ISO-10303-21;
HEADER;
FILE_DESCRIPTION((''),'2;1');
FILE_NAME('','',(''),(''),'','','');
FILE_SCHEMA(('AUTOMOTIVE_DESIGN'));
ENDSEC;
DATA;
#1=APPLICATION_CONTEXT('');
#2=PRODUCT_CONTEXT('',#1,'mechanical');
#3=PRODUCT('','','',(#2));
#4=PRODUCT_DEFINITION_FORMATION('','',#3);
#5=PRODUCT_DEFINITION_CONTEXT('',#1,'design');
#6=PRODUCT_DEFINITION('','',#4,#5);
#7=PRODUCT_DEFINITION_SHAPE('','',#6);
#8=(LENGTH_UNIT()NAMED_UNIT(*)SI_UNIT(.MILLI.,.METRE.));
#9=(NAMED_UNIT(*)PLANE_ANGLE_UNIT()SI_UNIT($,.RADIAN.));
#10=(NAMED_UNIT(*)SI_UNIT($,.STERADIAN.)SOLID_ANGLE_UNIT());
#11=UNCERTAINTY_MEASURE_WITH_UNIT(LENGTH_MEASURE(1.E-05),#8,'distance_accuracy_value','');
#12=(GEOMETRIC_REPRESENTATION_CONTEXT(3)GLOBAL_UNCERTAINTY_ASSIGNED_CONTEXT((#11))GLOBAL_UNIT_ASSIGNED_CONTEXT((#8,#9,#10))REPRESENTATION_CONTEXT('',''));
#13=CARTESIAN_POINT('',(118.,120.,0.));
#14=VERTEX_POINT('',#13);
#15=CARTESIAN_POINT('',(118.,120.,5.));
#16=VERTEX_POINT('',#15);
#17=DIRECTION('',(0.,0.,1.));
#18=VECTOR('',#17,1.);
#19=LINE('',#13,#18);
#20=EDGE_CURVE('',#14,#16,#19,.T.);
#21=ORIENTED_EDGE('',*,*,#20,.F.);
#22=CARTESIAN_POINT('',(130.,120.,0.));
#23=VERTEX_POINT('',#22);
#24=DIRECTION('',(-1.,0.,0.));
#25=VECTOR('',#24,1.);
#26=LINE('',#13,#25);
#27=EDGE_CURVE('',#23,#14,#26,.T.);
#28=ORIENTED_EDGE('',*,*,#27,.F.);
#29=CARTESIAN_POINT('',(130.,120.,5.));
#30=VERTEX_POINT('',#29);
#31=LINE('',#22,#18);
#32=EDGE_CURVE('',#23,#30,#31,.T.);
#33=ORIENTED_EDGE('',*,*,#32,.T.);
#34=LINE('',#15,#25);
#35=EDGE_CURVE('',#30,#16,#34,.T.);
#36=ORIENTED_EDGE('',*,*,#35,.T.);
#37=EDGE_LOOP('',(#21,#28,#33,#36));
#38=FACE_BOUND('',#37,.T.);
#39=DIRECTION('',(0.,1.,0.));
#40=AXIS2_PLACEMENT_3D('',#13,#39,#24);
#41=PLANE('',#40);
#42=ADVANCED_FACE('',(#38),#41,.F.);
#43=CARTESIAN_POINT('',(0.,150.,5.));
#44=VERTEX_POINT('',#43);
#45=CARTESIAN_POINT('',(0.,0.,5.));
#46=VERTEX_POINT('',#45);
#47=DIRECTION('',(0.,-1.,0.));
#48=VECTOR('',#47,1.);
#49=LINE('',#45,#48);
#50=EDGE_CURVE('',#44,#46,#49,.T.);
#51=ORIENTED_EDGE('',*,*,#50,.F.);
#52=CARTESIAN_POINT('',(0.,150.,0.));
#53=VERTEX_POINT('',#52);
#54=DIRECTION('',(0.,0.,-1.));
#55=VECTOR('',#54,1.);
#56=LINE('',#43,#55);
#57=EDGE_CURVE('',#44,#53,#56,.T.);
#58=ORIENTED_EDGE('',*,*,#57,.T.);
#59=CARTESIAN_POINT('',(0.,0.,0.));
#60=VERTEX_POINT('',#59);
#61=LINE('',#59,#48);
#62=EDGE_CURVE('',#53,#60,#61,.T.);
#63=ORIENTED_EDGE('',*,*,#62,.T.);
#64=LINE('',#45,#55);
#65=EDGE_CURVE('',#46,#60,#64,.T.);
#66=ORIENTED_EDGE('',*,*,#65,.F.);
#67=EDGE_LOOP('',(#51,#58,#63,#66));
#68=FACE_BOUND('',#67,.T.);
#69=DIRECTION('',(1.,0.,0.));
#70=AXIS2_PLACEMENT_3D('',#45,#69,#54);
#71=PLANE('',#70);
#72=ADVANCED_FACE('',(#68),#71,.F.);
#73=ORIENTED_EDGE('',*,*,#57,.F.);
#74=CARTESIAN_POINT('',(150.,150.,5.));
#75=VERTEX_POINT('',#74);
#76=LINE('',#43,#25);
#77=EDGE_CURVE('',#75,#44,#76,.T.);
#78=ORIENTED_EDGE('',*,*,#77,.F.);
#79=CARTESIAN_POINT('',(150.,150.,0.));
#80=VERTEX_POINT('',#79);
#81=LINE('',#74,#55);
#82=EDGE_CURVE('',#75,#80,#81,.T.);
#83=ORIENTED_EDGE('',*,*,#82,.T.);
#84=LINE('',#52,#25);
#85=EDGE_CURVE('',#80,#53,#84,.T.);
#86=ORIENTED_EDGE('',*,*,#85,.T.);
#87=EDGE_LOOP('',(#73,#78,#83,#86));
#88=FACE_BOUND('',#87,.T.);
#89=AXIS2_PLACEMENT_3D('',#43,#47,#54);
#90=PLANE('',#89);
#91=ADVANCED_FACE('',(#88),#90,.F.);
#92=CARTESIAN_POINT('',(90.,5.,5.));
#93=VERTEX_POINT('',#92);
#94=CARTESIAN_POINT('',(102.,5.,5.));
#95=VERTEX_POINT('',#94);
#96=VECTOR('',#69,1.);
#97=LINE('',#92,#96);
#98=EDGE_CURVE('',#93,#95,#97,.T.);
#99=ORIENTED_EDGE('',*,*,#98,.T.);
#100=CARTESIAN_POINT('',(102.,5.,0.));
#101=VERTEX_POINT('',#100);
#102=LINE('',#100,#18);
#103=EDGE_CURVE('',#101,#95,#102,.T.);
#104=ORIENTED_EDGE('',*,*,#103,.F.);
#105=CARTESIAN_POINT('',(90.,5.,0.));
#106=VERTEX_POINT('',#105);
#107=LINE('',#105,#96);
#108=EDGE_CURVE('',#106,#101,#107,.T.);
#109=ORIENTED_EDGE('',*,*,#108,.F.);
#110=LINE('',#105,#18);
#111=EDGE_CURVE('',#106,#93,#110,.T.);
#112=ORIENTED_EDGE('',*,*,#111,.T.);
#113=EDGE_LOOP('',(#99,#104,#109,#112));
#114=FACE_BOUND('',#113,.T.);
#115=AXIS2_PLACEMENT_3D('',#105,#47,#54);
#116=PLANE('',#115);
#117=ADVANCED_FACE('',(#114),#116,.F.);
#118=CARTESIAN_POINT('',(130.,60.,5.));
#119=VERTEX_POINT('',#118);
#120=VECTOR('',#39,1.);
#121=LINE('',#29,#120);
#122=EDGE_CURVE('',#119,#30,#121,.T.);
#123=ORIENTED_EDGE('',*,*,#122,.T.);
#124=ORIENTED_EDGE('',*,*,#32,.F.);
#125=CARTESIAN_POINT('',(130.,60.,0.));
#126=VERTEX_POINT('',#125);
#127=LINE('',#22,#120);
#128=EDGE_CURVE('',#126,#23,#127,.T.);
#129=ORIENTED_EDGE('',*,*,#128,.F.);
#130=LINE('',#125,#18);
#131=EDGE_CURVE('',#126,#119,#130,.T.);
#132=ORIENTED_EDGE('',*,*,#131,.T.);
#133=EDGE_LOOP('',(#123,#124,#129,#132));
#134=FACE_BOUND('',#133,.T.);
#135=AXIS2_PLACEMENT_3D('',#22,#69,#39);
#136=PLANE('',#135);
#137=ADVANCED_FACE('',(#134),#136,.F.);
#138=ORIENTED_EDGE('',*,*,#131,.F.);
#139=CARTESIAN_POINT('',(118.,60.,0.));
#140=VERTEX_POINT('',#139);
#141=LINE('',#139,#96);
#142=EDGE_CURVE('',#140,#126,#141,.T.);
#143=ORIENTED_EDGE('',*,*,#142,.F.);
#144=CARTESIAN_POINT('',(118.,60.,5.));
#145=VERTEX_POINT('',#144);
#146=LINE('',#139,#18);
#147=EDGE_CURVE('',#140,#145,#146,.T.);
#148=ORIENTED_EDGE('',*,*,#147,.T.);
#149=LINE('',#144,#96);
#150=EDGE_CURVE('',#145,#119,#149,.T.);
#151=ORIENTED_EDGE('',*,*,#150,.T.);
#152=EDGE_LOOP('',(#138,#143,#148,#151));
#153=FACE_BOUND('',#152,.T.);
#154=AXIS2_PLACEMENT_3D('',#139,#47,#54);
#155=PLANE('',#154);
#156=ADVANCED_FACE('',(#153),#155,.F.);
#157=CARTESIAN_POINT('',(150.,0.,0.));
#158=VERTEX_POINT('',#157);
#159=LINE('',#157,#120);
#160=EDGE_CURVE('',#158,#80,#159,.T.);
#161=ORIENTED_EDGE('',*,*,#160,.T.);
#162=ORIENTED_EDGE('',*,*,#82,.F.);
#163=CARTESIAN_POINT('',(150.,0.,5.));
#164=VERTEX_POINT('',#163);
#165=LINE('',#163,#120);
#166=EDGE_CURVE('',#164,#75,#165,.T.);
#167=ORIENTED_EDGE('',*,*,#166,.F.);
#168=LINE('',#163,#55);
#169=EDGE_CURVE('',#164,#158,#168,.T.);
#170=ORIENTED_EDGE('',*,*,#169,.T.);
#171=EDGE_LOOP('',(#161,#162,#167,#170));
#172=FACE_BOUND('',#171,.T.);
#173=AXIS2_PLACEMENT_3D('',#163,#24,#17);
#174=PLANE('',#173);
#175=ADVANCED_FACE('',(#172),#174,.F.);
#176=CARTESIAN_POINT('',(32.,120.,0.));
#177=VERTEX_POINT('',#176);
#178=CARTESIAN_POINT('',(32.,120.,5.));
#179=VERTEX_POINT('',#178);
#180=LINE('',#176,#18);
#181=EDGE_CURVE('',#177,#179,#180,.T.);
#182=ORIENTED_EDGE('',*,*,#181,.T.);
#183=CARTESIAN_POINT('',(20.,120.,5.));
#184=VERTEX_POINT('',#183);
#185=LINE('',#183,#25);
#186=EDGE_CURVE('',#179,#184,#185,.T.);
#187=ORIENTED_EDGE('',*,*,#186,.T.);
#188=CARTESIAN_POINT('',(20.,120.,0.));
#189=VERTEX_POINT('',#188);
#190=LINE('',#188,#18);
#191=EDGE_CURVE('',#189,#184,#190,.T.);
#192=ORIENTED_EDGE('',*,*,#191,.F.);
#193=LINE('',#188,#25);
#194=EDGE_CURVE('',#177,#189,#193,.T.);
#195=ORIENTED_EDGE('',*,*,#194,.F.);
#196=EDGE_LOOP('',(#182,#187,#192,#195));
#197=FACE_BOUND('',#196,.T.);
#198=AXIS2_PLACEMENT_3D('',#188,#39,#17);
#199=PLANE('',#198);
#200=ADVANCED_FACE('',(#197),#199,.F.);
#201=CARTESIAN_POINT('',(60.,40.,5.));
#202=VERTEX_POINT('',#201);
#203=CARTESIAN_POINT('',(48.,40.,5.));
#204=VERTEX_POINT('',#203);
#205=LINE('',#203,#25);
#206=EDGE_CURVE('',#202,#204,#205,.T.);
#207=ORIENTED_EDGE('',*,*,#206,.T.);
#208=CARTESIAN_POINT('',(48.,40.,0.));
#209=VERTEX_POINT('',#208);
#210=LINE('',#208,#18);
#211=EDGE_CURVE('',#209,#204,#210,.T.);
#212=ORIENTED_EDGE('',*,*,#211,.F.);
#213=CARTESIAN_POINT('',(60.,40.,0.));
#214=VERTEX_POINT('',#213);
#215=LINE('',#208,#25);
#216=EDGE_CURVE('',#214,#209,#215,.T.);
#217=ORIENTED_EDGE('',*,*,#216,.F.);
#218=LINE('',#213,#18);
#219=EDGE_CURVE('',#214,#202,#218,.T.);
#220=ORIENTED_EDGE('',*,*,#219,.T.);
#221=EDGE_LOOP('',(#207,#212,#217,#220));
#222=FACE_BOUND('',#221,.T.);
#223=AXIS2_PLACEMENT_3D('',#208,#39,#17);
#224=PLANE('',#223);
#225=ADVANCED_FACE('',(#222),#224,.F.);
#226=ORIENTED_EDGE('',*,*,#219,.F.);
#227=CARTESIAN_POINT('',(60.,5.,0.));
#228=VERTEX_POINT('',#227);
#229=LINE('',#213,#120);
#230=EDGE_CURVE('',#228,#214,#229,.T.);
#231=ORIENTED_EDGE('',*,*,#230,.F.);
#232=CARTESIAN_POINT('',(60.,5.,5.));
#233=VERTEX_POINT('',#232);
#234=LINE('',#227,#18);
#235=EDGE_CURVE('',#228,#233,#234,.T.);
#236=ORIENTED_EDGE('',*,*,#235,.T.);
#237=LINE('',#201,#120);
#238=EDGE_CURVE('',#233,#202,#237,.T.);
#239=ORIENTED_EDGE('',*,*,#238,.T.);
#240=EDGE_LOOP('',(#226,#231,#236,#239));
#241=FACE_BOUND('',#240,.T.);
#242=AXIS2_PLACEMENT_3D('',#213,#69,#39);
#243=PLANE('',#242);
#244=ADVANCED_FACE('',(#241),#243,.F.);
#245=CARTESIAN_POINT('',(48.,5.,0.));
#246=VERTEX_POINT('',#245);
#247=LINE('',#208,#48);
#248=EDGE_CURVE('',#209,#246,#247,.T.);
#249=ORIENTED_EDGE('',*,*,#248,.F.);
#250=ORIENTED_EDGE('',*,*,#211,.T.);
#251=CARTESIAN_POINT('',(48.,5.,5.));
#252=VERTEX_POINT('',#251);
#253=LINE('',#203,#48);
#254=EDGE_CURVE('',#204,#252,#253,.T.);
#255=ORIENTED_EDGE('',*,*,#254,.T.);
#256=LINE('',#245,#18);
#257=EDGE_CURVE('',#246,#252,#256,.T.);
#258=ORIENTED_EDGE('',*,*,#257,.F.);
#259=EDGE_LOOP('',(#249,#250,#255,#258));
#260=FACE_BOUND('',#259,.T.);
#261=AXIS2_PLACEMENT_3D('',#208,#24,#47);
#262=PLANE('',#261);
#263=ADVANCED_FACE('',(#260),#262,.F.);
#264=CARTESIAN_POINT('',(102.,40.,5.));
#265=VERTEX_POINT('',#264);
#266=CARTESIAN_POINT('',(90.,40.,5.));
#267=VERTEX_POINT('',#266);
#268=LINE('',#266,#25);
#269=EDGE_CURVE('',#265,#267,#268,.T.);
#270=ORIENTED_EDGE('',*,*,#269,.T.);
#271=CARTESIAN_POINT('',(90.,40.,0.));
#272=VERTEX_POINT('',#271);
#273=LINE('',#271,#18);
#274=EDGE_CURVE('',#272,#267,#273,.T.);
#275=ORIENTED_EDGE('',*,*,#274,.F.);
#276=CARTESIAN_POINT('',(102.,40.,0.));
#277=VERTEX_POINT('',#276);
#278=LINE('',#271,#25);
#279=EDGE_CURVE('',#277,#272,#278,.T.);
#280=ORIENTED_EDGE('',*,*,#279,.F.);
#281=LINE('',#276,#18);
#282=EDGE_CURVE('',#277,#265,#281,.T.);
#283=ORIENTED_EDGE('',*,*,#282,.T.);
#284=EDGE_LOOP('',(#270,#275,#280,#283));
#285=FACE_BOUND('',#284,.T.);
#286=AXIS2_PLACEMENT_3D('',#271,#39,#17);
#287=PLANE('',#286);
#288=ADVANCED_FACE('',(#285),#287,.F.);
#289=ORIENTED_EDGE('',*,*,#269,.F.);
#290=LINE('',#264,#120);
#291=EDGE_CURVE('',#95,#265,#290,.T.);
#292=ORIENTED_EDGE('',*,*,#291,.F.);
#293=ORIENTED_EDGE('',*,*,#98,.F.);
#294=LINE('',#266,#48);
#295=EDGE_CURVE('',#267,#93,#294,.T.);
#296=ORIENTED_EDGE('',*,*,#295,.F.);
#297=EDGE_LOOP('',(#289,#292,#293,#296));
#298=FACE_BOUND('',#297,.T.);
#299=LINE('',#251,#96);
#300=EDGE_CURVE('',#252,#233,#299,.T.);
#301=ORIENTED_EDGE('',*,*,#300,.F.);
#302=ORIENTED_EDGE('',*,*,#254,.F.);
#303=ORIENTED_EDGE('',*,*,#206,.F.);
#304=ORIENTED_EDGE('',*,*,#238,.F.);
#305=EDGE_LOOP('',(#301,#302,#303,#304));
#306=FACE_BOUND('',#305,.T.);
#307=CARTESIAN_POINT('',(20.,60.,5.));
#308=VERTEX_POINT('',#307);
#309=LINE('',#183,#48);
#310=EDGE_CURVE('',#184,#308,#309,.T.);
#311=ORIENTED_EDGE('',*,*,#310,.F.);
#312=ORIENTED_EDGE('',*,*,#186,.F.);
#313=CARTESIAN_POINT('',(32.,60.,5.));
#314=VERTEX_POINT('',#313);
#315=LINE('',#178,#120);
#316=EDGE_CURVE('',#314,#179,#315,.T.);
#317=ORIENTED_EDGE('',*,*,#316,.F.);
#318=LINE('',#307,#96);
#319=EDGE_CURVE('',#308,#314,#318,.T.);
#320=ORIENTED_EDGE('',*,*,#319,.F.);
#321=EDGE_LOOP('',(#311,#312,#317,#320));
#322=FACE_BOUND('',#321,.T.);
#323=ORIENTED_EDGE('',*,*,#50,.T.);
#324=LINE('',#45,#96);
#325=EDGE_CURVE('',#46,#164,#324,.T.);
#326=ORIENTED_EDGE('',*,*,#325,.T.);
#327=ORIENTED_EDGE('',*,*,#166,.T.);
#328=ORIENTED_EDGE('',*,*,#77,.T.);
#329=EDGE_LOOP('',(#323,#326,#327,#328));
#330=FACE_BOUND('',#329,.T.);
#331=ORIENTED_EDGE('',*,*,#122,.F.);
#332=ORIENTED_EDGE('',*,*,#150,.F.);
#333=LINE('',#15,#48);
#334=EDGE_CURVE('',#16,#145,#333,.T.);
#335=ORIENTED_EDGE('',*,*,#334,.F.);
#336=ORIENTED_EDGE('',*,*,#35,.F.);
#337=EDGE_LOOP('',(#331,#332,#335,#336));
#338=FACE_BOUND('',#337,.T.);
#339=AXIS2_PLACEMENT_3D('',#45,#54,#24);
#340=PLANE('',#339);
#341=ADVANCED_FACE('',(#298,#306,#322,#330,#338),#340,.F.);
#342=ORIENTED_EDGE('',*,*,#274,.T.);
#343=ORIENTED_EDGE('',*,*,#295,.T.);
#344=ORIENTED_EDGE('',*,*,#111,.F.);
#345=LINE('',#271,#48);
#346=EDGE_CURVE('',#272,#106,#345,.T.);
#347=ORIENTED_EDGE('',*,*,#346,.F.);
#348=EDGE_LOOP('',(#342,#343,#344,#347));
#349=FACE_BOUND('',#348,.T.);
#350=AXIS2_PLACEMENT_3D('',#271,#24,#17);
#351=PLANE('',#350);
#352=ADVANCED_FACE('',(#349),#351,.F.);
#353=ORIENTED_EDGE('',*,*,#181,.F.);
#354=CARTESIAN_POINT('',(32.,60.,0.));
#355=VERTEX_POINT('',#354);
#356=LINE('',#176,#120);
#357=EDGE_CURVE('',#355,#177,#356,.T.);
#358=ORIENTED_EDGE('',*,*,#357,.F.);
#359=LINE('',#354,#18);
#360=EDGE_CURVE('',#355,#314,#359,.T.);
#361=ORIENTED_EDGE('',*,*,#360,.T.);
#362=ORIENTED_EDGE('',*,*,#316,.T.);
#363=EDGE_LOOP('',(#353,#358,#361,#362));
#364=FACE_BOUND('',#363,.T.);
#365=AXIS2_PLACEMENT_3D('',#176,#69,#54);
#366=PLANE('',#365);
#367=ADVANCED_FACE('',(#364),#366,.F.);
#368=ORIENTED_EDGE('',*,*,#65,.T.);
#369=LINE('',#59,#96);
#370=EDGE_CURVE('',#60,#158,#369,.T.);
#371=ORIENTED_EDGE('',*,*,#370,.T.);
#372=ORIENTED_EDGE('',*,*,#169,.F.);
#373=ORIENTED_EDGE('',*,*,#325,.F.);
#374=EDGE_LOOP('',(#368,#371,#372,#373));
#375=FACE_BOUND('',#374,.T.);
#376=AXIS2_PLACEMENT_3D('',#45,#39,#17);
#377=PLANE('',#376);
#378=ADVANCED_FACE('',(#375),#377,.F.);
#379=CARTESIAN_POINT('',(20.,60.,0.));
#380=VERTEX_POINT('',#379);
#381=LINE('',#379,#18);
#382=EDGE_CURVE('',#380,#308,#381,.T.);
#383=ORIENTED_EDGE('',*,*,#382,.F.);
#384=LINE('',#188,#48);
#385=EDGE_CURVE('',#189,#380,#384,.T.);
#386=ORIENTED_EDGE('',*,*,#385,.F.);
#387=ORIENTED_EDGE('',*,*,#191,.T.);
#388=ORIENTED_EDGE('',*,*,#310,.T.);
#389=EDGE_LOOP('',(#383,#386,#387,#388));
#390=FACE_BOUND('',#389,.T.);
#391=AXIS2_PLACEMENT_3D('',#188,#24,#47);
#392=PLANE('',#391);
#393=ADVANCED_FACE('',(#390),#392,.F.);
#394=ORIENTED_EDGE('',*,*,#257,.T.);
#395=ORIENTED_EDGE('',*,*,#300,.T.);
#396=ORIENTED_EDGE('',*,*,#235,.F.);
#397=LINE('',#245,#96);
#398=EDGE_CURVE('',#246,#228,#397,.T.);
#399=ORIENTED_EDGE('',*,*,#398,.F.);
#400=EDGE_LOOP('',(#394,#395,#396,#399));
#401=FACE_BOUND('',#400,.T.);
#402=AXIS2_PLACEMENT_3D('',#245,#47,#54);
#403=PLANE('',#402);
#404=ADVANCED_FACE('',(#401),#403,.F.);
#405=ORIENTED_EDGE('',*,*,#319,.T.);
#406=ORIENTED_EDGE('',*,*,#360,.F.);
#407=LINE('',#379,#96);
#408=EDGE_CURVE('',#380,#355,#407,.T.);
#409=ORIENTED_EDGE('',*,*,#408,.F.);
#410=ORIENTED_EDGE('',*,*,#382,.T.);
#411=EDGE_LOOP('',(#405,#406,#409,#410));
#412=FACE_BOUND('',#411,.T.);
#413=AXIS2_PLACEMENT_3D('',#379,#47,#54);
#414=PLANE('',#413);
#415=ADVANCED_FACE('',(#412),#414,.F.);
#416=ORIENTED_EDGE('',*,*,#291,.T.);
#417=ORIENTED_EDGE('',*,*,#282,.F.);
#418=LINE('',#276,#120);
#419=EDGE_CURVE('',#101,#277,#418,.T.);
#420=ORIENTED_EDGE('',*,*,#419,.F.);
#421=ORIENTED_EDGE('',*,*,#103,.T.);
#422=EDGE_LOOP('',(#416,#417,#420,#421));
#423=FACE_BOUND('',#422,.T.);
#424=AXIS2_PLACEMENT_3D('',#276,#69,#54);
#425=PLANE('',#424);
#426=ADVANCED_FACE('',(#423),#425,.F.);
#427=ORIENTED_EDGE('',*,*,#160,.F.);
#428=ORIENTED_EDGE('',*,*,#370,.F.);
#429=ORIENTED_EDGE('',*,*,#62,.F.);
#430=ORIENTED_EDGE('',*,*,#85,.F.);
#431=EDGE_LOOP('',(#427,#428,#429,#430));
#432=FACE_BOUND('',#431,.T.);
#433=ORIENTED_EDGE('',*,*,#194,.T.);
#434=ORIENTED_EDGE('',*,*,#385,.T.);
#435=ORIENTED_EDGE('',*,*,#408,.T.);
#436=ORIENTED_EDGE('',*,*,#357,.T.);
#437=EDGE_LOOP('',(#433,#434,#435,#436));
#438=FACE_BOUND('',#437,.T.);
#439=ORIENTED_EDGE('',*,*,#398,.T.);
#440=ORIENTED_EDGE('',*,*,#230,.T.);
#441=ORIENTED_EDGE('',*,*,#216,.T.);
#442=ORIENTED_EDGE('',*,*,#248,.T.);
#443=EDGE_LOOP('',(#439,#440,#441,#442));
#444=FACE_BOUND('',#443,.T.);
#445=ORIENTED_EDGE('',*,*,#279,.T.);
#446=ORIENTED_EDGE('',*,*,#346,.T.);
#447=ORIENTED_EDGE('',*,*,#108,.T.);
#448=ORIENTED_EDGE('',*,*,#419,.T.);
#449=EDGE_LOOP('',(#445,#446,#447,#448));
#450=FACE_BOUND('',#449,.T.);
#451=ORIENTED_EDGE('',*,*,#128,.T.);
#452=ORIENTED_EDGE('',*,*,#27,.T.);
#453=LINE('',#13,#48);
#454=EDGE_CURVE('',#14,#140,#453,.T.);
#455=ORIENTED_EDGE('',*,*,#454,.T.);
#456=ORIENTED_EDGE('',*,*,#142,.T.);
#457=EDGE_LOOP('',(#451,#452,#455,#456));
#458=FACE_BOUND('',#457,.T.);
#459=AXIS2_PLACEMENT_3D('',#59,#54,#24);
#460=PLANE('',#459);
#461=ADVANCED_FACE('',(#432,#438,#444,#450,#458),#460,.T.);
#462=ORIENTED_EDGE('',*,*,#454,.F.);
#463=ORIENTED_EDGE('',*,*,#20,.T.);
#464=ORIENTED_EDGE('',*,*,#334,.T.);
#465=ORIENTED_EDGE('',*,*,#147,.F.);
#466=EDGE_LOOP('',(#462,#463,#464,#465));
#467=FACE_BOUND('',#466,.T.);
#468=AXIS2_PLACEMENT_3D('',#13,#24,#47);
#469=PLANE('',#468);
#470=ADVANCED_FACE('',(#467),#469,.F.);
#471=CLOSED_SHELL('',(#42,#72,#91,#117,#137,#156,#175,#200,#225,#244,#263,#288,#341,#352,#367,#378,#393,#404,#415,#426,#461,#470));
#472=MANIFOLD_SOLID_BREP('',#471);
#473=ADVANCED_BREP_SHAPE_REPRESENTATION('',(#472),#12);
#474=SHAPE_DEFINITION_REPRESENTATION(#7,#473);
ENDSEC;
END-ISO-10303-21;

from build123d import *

# Parameters (mm, degrees)
ESQUISSE1_W             = 150
ESQUISSE1_H             = 150
BOSS_EXTRU_1_DEPTH      = 5
ESQUISSE2_W             = 12
ESQUISSE2_H             = 60
ESQUISSE2_H_2           = 35
ENL_V_MAT_EXTRU_1_DEPTH = 5


with BuildPart() as part:
    # Esquisse1 → Boss.-Extru.1 (new body)
    with BuildSketch(Plane.XY):
        with Locations((75, 75)):
            Rectangle(ESQUISSE1_W, ESQUISSE1_H)
    extrude(amount=BOSS_EXTRU_1_DEPTH)

    # Esquisse2 → Enlèv. mat.-Extru.1 (cut)
    with BuildSketch(Plane.XY.offset(5)):
        with Locations((26, 90)):
            Rectangle(ESQUISSE2_W, ESQUISSE2_H)
        with Locations((124, 90)):
            Rectangle(ESQUISSE2_W, ESQUISSE2_H)
        with Locations((54, 22.5)):
            Rectangle(ESQUISSE2_W, ESQUISSE2_H_2)
        with Locations((96, 22.5)):
            Rectangle(ESQUISSE2_W, ESQUISSE2_H_2)
    extrude(amount=-ENL_V_MAT_EXTRU_1_DEPTH, mode=Mode.SUBTRACT)


solid = part.part
